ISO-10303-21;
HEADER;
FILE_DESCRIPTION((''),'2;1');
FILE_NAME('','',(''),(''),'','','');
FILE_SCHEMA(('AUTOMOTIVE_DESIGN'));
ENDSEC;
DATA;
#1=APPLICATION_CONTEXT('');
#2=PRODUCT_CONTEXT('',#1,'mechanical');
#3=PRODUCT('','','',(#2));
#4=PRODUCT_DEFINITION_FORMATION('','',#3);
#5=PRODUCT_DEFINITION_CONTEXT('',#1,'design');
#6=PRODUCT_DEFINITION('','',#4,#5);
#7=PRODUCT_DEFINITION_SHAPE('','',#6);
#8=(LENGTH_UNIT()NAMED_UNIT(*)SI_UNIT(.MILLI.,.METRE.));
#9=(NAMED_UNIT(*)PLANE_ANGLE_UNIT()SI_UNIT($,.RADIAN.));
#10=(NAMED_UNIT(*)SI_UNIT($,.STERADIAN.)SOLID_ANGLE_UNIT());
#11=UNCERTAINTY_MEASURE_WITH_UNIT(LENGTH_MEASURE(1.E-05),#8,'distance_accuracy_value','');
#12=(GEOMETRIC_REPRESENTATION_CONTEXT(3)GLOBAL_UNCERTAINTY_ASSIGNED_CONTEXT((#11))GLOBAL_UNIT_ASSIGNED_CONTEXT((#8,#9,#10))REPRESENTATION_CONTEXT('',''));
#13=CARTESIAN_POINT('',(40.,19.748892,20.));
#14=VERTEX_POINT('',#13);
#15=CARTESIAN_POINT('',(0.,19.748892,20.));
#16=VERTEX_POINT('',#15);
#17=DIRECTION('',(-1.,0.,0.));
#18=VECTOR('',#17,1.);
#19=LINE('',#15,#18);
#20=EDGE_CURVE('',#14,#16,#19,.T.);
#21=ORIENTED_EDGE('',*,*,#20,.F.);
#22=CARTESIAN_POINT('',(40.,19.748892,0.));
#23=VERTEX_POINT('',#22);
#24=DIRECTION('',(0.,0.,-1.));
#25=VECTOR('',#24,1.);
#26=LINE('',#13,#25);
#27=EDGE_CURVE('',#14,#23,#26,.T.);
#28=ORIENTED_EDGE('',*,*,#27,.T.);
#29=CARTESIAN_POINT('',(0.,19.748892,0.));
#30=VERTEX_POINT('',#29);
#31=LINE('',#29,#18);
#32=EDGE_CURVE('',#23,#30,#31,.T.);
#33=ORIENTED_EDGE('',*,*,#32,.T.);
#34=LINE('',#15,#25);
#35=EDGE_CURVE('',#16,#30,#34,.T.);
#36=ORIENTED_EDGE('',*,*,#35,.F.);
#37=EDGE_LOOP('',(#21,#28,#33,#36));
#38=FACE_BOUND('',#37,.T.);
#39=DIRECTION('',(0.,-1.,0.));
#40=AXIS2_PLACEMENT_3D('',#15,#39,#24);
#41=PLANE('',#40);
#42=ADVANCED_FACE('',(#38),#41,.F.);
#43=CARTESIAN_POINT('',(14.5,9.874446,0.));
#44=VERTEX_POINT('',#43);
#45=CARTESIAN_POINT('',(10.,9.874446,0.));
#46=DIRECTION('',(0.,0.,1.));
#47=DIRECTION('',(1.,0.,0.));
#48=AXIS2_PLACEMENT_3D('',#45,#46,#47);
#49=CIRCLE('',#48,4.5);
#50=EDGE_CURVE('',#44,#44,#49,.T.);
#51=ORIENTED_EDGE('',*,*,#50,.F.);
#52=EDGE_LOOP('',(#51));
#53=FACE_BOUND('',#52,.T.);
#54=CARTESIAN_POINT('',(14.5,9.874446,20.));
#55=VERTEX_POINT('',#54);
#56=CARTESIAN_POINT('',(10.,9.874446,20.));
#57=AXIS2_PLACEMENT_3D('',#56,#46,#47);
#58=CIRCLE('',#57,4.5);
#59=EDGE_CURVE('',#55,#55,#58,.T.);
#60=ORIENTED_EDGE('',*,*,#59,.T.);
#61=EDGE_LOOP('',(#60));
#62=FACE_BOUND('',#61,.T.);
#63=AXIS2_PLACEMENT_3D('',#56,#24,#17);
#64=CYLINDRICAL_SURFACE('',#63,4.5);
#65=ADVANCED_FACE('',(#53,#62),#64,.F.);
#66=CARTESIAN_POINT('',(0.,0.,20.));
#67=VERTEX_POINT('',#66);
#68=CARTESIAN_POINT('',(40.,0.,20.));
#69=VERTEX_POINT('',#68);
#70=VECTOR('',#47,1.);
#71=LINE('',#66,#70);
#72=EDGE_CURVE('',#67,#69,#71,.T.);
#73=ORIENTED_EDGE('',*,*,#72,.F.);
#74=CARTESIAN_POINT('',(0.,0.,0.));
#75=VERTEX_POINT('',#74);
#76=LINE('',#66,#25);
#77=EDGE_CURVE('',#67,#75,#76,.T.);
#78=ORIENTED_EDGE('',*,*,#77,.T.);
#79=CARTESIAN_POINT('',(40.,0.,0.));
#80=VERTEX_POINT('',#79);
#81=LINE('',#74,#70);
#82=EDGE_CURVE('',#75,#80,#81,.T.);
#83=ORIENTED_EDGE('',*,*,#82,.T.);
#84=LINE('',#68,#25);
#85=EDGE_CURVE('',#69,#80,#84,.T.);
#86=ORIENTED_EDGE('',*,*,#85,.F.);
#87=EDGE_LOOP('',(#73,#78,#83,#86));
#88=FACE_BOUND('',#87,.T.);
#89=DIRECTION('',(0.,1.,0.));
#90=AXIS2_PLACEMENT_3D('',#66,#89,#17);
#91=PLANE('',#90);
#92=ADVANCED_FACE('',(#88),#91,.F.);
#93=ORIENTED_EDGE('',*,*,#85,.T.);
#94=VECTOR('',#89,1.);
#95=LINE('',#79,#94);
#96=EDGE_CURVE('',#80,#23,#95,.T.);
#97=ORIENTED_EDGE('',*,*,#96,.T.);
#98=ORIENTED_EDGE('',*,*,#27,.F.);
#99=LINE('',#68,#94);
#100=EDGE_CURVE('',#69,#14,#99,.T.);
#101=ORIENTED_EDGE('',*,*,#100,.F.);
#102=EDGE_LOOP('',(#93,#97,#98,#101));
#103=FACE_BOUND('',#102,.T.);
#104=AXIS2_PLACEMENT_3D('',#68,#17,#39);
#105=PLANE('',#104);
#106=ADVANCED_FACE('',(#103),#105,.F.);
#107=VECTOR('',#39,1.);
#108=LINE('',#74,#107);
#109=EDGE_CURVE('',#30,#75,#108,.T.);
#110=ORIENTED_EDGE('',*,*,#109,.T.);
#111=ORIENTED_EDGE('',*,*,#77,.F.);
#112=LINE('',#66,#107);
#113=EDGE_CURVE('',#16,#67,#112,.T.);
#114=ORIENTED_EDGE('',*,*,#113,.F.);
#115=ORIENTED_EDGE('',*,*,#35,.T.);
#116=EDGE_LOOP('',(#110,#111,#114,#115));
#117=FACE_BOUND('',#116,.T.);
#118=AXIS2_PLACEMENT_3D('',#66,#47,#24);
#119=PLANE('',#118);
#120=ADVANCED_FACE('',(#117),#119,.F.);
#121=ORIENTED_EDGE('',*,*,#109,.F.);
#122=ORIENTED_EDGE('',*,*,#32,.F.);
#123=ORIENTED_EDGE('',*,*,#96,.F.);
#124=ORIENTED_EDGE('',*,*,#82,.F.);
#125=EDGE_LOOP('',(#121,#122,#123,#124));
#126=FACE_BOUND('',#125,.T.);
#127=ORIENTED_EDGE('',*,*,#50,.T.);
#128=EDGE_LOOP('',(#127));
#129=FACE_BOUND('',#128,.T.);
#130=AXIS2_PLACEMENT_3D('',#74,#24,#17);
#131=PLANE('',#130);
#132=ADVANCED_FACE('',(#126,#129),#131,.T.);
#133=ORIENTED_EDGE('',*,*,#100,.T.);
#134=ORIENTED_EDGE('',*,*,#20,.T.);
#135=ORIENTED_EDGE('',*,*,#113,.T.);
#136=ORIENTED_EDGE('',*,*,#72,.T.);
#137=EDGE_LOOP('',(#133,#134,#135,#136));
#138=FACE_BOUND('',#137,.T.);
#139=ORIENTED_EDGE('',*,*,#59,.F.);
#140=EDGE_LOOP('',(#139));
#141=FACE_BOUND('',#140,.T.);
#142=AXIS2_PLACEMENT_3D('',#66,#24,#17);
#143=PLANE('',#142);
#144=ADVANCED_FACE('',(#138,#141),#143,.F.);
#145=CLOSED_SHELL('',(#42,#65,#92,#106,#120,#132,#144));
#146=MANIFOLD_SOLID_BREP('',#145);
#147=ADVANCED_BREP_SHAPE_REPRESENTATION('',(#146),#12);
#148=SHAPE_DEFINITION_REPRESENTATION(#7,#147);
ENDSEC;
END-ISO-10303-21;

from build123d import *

# Parameters (mm, degrees)
SKETCH1_W           = 40
SKETCH1_H           = 19.748892406
SKETCH1_R           = 4.5
BOSS_EXTRUDE1_DEPTH = 20


with BuildPart() as part:
    # Sketch1 → Boss-Extrude1 (new body)
    with BuildSketch(Plane.XY):
        with Locations((20, 9.874446203)):
            Rectangle(SKETCH1_W, SKETCH1_H)
        with Locations((10, 9.874446203)):
            Circle(SKETCH1_R, mode=Mode.SUBTRACT)
    extrude(amount=BOSS_EXTRUDE1_DEPTH)


solid = part.part
